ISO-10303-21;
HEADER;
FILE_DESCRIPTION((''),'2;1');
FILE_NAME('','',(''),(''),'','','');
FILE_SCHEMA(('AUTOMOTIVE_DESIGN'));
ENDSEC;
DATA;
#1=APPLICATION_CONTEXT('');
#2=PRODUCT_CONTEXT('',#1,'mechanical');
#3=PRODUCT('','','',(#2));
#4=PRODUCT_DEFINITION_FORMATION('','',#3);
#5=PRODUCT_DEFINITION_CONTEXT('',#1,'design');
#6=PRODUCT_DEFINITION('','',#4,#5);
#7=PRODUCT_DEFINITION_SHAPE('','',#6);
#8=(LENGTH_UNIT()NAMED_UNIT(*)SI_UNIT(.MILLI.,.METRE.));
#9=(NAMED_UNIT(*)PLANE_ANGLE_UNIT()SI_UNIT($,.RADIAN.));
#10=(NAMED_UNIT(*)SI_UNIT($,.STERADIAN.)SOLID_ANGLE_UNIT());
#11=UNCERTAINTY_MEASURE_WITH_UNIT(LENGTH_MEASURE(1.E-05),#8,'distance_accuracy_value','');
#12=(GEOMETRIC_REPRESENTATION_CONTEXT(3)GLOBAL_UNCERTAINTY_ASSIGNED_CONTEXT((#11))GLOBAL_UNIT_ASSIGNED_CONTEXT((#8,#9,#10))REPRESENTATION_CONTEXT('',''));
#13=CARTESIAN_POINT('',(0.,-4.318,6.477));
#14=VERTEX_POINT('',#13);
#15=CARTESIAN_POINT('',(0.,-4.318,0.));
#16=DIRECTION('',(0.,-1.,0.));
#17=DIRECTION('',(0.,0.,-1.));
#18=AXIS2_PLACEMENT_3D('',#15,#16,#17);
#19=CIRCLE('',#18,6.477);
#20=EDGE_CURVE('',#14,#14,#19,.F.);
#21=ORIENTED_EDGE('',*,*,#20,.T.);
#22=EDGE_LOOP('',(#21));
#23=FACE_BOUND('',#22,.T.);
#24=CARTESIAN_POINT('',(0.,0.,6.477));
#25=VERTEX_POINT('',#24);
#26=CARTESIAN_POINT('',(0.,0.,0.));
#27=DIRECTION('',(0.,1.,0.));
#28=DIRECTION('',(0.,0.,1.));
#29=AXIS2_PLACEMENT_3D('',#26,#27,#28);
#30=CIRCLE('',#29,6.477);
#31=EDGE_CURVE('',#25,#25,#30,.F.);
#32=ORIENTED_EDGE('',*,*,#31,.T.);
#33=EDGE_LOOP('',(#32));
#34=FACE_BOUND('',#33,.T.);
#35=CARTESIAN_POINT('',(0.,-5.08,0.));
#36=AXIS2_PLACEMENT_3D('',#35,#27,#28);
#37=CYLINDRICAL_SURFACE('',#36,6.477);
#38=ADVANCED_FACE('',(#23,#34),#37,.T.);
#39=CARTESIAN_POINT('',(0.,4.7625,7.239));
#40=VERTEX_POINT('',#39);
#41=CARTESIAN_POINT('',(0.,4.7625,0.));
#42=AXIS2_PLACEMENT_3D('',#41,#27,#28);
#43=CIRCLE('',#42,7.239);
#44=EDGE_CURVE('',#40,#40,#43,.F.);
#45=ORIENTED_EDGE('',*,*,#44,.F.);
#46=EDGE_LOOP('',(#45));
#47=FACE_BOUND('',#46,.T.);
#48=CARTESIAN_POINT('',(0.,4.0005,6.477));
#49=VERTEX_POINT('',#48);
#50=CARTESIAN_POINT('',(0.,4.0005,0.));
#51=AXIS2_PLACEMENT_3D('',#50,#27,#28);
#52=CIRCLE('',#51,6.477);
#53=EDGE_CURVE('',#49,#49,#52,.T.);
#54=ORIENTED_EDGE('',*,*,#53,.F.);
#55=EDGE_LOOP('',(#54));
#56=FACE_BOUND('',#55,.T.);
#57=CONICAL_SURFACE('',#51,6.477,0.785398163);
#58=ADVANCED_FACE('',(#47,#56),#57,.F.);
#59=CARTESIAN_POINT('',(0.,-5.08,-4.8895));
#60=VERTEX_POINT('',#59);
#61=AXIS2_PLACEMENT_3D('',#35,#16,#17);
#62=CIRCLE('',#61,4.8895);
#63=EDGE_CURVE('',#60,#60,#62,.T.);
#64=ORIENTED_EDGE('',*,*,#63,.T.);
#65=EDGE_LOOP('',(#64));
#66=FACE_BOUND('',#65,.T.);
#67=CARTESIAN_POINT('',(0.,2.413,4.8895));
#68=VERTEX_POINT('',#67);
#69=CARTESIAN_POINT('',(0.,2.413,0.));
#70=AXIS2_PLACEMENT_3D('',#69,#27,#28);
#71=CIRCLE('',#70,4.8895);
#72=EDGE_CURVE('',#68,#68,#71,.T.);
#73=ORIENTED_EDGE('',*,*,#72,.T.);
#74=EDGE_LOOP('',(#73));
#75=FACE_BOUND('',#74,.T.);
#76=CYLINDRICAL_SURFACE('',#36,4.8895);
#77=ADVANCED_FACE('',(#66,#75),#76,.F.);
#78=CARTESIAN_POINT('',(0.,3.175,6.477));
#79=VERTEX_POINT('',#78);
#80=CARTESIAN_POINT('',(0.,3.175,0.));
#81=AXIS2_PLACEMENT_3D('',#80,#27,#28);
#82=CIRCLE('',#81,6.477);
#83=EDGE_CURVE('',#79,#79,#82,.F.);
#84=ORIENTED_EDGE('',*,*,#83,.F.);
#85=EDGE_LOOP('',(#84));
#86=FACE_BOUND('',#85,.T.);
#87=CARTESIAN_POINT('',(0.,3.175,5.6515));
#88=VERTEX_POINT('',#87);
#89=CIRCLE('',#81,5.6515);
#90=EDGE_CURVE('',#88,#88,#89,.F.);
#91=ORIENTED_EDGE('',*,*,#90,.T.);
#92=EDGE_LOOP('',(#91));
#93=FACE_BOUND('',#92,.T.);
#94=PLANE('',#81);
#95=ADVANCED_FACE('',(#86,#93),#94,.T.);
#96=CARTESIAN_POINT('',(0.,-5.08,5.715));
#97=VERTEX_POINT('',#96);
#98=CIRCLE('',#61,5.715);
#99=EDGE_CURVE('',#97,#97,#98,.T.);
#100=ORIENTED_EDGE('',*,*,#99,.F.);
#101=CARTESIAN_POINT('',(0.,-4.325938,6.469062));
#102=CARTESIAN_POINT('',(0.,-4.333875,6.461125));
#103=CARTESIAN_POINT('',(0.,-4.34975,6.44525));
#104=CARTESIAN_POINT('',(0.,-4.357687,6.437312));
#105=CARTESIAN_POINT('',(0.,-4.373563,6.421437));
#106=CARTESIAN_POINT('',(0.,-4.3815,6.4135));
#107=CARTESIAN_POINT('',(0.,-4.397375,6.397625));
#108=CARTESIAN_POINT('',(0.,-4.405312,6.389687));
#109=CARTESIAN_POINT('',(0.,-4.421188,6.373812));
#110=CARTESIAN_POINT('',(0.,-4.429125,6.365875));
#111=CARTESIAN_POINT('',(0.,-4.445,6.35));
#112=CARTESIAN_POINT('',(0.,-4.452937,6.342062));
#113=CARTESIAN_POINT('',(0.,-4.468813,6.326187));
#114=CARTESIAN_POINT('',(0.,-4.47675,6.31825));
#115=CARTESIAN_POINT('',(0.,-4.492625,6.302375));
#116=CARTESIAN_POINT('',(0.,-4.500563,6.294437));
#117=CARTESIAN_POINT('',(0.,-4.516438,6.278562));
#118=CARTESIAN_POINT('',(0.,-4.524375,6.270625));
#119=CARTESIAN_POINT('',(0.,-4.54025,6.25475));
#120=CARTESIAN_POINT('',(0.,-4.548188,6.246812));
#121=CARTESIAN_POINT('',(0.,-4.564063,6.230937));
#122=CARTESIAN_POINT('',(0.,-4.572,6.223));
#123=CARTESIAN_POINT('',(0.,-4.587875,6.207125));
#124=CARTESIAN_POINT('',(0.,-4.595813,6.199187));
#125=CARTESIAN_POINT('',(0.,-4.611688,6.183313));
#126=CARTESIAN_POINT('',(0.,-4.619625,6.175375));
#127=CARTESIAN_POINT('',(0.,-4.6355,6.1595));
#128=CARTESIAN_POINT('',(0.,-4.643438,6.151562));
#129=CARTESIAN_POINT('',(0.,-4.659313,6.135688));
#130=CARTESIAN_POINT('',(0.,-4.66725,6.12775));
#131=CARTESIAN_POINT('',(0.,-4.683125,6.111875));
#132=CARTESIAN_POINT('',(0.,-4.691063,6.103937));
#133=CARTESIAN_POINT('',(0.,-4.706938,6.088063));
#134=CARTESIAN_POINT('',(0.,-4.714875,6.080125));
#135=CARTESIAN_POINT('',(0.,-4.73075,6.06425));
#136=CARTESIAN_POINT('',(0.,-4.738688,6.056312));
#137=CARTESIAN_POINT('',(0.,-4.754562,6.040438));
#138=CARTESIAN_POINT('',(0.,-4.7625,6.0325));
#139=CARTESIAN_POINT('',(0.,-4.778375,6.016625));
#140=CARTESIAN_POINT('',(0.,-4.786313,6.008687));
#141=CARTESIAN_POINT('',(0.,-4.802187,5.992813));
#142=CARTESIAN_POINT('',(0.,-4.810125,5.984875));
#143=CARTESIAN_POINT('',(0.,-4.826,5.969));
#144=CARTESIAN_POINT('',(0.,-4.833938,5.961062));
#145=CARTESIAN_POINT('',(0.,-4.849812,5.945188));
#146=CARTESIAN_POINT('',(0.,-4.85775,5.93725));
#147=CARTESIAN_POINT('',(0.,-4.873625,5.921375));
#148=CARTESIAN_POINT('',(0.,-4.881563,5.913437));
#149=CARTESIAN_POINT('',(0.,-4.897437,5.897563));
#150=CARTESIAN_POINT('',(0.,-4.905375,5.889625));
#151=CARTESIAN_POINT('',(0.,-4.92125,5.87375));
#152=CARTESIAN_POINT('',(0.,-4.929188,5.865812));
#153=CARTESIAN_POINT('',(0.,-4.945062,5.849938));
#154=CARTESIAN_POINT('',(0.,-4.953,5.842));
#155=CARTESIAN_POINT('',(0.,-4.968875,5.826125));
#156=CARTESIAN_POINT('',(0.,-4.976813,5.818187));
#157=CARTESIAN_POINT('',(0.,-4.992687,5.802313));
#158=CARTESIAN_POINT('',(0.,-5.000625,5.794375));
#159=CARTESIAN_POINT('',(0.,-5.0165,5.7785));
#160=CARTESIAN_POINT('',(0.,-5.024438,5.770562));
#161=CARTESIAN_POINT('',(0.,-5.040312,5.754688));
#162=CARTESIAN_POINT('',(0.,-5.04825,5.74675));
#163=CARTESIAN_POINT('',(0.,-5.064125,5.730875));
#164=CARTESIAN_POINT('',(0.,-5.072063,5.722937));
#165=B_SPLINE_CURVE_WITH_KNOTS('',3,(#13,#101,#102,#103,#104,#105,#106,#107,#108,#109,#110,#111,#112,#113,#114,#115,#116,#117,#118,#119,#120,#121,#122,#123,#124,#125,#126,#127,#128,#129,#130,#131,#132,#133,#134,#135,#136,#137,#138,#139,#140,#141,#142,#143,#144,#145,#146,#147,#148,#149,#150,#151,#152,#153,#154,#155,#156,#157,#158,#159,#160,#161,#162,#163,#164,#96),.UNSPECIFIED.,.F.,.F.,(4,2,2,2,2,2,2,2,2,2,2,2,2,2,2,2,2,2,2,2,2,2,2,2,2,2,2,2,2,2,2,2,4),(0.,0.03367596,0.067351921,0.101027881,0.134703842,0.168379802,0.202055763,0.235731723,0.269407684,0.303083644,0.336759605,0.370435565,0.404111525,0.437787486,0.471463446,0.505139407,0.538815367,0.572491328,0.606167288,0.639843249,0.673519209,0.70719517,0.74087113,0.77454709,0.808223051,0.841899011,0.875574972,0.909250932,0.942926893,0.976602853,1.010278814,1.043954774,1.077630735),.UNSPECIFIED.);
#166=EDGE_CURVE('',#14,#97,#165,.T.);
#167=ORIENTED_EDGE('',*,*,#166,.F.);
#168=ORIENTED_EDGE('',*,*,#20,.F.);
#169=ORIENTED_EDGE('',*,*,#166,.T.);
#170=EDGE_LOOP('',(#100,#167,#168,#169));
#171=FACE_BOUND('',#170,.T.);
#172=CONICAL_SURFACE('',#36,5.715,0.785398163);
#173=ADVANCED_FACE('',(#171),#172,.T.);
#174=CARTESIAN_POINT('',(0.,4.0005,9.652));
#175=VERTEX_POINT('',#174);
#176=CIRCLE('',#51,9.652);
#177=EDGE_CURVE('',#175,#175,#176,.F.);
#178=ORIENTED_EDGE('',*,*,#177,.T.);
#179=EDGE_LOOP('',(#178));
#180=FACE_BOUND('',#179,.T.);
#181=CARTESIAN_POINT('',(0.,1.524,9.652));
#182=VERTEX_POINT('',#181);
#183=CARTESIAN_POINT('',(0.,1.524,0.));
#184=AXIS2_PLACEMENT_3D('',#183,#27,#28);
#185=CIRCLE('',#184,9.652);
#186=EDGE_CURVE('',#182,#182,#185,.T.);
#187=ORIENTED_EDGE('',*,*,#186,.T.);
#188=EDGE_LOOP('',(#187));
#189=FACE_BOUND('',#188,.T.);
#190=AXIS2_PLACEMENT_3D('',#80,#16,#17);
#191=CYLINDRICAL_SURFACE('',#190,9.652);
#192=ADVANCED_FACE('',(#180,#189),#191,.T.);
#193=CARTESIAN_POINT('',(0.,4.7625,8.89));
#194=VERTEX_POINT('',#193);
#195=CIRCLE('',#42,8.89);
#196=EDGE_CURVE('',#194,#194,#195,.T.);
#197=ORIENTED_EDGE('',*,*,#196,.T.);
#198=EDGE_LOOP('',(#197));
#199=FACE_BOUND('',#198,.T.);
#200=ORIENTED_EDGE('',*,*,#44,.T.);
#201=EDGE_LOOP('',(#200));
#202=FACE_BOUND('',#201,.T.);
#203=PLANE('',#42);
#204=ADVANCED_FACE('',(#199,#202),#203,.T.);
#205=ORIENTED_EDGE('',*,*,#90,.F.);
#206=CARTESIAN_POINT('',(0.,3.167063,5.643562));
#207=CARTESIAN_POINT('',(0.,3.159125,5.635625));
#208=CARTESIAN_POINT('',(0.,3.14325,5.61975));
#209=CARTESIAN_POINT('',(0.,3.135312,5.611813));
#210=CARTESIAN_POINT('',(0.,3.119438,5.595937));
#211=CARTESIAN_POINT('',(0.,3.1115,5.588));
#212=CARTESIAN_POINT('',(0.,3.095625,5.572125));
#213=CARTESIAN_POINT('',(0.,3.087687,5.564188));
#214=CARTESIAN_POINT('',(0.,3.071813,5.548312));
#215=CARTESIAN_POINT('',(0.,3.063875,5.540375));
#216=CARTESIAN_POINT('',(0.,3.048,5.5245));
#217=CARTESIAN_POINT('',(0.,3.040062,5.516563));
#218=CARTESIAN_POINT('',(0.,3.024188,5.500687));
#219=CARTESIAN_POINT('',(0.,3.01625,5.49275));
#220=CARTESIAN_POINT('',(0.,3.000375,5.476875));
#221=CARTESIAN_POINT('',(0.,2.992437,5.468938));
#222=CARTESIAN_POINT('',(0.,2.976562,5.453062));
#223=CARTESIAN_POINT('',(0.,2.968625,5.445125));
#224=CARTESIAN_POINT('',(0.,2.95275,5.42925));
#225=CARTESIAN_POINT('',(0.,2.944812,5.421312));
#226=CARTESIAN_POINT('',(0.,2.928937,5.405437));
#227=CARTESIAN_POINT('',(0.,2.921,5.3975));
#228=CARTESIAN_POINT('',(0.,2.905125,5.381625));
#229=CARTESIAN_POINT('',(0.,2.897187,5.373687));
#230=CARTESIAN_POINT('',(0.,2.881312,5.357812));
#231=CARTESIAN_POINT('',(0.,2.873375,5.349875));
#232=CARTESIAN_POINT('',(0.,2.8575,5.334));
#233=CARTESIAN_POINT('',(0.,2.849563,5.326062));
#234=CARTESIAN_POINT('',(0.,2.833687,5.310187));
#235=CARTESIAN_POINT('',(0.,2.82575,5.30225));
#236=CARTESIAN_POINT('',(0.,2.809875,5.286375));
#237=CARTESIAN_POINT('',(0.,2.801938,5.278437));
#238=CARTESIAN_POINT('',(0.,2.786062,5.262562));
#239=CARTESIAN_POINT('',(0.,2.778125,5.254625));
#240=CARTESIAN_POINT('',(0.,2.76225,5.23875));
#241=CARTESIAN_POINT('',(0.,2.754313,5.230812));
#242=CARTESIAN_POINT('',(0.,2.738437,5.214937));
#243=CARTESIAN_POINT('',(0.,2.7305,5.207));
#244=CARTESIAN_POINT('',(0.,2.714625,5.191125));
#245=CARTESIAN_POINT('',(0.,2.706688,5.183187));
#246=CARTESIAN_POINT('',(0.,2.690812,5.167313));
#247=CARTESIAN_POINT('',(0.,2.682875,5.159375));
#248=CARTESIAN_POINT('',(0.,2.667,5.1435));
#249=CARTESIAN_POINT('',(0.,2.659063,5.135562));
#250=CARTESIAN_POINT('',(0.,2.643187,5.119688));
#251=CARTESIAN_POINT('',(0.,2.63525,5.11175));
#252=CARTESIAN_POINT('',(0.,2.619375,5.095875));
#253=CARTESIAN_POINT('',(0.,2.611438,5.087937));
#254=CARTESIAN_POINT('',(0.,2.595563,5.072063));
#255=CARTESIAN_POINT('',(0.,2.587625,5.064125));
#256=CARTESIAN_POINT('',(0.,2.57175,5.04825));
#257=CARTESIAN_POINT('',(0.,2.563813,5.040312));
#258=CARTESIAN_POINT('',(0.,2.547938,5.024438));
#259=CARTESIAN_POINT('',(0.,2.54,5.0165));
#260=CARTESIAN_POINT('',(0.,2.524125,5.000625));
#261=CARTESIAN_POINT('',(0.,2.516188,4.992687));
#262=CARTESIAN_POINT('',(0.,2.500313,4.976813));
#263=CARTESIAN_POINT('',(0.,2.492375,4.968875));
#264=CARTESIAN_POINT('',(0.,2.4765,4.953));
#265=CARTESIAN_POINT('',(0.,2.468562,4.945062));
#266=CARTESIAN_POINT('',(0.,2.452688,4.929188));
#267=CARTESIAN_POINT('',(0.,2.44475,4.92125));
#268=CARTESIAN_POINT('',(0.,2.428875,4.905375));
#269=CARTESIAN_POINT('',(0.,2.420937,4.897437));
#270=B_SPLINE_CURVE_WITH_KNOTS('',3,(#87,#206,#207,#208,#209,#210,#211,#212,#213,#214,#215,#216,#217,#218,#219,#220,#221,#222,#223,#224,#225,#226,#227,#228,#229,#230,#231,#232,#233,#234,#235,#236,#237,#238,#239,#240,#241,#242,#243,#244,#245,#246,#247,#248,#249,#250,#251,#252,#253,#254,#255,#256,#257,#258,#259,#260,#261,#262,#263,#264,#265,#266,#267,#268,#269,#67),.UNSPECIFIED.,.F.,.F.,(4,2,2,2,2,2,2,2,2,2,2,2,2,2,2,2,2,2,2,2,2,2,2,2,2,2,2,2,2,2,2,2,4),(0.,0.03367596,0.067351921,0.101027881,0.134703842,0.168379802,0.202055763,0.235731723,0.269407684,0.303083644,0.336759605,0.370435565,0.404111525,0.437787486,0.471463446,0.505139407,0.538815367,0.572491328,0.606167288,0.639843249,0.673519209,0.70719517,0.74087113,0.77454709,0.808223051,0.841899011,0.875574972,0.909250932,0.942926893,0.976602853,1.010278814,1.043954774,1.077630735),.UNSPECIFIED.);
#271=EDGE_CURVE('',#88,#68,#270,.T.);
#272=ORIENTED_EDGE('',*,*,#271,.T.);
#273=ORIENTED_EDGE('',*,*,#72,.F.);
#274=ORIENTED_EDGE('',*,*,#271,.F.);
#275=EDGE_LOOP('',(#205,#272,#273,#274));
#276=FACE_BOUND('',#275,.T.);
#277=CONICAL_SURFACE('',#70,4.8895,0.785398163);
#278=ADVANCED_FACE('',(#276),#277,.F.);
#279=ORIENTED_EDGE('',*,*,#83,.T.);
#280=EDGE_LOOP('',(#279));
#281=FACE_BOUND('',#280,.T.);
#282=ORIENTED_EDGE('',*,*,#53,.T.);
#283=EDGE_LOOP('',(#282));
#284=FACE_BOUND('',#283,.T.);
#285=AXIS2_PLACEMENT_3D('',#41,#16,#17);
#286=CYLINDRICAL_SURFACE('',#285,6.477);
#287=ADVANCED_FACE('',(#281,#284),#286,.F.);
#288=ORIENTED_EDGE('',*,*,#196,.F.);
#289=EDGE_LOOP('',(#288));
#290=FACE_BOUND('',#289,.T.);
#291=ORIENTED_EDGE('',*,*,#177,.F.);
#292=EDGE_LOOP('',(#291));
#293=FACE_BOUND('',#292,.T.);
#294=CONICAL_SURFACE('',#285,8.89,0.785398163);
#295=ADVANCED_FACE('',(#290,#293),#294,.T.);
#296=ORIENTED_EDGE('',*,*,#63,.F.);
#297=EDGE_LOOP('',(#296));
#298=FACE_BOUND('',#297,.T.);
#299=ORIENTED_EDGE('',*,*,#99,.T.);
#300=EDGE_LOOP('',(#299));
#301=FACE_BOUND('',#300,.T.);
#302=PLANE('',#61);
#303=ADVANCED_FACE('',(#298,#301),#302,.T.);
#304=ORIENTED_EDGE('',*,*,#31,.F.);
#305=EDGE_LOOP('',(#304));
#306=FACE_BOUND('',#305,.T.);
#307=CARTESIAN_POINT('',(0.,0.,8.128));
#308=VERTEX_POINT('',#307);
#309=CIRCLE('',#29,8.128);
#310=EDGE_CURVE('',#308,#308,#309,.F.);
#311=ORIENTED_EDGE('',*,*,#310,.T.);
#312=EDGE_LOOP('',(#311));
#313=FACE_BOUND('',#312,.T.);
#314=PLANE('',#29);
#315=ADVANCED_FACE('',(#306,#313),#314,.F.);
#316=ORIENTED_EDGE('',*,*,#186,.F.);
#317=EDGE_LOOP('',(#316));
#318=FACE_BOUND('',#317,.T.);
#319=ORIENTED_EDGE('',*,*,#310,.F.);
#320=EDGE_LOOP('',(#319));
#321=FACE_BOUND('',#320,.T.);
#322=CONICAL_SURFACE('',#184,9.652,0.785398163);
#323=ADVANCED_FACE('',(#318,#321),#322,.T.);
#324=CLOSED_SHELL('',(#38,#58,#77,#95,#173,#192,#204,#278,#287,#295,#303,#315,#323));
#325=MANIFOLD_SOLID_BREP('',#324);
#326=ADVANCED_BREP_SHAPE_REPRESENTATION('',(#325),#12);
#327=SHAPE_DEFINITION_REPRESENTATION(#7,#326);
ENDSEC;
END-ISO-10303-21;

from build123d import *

# Parameters (mm, degrees)
SKETCH1_R           = 9.652
SKETCH1_R_2         = 6.477
BOSS_EXTRUDE1_DEPTH = 3.175
BOSS_EXTRUDE2_START = 3.175
SKETCH1_3_R         = 9.652
SKETCH1_3_R_2       = 6.477
BOSS_EXTRUDE2_DEPTH = 1.5875
BOSS_EXTRUDE3_START = 5.08
SKETCH2_R           = 6.477
SKETCH2_R_2         = 4.8895
BOSS_EXTRUDE3_DEPTH = 5.08
SKETCH3_R           = 4.8895
CUT_EXTRUDE1_DEPTH  = 15.564635526
CHAMFER1_SIZE       = 1.524
CHAMFER2_SIZE       = 0.762
CHAMFER3_SIZE       = 0.762


with BuildPart() as part:
    # Sketch1 → Boss-Extrude1 (new body)
    # profile 1 of 2: a face of its own
    with BuildSketch(Plane(origin=(0, 0, 0), x_dir=(1, 0, 0), z_dir=(0, 1, 0))):
        with Locations(Location((0, 0, 0), (0, 0, 270))):
            Circle(SKETCH1_R)
        Circle(SKETCH1_R_2, mode=Mode.SUBTRACT)
    # profile 2 of 2: a face of its own
    with BuildSketch(Plane(origin=(0, 0, 0), x_dir=(1, 0, 0), z_dir=(0, 1, 0))):
        Circle(SKETCH1_R_2)
    extrude(amount=BOSS_EXTRUDE1_DEPTH)

    # Sketch1<3> → Boss-Extrude2 (add)
    with BuildSketch(Plane(origin=(0, 0, 0), x_dir=(1, 0, 0), z_dir=(0, 1, 0)).offset(BOSS_EXTRUDE2_START)):
        with Locations(Location((0, 0, 0), (0, 0, 270))):
            Circle(SKETCH1_3_R)
        with Locations(Location((0, 0, 0), (0, 0, 270))):
            Circle(SKETCH1_3_R_2, mode=Mode.SUBTRACT)
    extrude(amount=BOSS_EXTRUDE2_DEPTH)

    # Sketch2 → Boss-Extrude3 (add)
    with BuildSketch(Plane.XZ.offset(BOSS_EXTRUDE3_START)):
        with Locations(Location((0, 0, 0), (0, 0, 90))):
            Circle(SKETCH2_R)
        with Locations(Location((0, 0, 0), (0, 0, 270))):
            Circle(SKETCH2_R_2, mode=Mode.SUBTRACT)
    extrude(amount=-BOSS_EXTRUDE3_DEPTH)

    # Sketch3 → Cut-Extrude1 (cut, through all)
    with BuildSketch(Plane.XZ):
        with Locations(Location((0, 0, 0), (0, 0, 90))):
            Circle(SKETCH3_R)
    extrude(amount=-CUT_EXTRUDE1_DEPTH, mode=Mode.SUBTRACT)

    # Chamfer1
    chamfer1_edges = [part.edges().sort_by_distance(p)[0] for p in [
        (0, 0, -9.652),
    ]]
    chamfer(chamfer1_edges, length=CHAMFER1_SIZE)

    # Chamfer2
    chamfer2_edges = [part.edges().sort_by_distance(p)[0] for p in [
        (0, 3.175, -4.8895),
        (0, 4.7625, -9.652),
        (0, 4.7625, -6.477),
    ]]
    chamfer(chamfer2_edges, length=CHAMFER2_SIZE)

    # Chamfer3
    chamfer3_edges = [part.edges().sort_by_distance(p)[0] for p in [
        (0, -5.08, -6.477),
    ]]
    chamfer(chamfer3_edges, length=CHAMFER3_SIZE)


solid = part.part
